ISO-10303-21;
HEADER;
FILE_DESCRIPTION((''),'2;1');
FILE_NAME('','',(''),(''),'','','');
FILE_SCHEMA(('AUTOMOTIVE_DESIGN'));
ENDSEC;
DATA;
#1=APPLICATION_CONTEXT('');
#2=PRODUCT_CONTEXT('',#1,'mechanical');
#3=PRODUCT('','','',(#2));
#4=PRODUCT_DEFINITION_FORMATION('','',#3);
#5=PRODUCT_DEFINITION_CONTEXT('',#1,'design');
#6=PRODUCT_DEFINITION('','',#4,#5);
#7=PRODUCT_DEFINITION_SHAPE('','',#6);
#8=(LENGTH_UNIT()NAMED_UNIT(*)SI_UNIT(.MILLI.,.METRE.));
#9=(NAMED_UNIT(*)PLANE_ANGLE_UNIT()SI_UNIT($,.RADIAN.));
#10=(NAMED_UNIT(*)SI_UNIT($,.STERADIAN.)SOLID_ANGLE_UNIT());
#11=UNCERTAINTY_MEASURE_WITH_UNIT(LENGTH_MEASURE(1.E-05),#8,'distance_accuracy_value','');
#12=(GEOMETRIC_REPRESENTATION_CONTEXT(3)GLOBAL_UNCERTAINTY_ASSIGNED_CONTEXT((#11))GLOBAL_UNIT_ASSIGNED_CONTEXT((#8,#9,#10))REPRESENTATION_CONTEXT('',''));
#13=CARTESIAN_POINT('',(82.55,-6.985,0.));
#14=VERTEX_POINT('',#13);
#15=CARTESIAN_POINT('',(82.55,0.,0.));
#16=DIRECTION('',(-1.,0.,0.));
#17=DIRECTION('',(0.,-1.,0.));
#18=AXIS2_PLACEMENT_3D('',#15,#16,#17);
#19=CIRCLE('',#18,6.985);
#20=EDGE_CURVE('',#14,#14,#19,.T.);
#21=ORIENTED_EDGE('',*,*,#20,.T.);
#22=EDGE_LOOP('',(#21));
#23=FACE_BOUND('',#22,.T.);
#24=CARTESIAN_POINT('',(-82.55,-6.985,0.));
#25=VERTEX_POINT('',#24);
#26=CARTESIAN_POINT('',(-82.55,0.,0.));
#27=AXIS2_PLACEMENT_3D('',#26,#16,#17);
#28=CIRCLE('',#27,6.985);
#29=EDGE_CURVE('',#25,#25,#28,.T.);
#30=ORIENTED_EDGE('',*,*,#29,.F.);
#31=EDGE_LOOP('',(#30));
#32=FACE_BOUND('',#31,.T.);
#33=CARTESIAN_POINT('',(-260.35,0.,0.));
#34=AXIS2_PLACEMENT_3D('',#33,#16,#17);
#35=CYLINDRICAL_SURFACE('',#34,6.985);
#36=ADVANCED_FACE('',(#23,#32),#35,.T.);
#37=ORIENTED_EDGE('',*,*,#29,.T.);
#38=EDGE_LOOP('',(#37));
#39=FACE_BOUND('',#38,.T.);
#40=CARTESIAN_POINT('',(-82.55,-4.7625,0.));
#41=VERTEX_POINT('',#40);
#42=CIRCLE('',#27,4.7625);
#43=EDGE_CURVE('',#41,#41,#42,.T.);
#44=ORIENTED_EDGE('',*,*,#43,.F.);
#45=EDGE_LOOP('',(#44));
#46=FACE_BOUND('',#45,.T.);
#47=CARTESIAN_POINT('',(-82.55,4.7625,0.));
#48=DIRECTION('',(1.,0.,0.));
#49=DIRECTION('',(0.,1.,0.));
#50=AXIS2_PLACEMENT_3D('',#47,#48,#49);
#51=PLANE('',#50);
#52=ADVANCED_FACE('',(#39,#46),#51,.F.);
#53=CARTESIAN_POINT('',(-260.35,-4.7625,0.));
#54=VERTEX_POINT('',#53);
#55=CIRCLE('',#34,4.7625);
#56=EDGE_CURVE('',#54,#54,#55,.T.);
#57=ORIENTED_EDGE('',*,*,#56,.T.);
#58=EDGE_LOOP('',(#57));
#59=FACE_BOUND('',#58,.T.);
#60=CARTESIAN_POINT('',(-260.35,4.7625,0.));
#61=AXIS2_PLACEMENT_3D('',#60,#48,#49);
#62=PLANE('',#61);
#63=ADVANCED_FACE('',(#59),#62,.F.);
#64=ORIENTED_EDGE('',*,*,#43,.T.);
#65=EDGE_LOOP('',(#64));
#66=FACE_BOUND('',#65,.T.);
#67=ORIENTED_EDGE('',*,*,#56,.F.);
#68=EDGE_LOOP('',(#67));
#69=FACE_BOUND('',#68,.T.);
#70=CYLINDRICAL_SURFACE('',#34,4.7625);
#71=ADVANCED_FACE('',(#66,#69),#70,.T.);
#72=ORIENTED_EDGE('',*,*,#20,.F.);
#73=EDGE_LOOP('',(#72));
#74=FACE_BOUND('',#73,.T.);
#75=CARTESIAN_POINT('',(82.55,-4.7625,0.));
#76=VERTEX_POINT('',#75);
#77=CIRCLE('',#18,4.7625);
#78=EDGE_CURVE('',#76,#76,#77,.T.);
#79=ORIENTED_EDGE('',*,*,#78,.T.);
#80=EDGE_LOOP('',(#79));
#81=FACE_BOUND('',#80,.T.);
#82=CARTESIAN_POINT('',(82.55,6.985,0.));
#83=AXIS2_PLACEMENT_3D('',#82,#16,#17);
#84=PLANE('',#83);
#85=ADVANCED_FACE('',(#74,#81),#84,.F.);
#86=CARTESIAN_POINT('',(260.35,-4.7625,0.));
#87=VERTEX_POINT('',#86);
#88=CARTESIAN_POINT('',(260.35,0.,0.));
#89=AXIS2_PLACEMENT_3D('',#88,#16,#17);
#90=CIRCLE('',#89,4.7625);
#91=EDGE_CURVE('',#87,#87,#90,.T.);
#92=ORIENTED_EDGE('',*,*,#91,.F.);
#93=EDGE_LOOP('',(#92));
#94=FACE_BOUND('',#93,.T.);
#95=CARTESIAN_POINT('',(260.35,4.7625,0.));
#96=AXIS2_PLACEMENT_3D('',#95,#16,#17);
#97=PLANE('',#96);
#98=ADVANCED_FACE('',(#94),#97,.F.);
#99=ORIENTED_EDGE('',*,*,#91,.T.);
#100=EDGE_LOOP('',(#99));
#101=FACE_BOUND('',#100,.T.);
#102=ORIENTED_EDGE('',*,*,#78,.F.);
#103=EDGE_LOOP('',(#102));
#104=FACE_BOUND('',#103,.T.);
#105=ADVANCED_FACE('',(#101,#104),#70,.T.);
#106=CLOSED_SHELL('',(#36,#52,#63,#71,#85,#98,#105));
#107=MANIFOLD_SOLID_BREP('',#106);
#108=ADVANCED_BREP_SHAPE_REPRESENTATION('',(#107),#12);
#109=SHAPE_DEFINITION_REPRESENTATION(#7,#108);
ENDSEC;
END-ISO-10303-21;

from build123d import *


with BuildPart() as part:
    # Sketch1 → Revolve1 (revolve)
    with BuildSketch(Plane.XY):
        Polygon((-260.35, 4.7625), (-82.55, 4.7625), (-82.55, 6.985), (82.55, 6.985), (82.55, 4.7625), (260.35, 4.7625), (260.35, 0), (-260.35, 0), align=None)
    revolve(axis=Axis((-260.35, 0, 0), (1, 0, 0)))


solid = part.part
